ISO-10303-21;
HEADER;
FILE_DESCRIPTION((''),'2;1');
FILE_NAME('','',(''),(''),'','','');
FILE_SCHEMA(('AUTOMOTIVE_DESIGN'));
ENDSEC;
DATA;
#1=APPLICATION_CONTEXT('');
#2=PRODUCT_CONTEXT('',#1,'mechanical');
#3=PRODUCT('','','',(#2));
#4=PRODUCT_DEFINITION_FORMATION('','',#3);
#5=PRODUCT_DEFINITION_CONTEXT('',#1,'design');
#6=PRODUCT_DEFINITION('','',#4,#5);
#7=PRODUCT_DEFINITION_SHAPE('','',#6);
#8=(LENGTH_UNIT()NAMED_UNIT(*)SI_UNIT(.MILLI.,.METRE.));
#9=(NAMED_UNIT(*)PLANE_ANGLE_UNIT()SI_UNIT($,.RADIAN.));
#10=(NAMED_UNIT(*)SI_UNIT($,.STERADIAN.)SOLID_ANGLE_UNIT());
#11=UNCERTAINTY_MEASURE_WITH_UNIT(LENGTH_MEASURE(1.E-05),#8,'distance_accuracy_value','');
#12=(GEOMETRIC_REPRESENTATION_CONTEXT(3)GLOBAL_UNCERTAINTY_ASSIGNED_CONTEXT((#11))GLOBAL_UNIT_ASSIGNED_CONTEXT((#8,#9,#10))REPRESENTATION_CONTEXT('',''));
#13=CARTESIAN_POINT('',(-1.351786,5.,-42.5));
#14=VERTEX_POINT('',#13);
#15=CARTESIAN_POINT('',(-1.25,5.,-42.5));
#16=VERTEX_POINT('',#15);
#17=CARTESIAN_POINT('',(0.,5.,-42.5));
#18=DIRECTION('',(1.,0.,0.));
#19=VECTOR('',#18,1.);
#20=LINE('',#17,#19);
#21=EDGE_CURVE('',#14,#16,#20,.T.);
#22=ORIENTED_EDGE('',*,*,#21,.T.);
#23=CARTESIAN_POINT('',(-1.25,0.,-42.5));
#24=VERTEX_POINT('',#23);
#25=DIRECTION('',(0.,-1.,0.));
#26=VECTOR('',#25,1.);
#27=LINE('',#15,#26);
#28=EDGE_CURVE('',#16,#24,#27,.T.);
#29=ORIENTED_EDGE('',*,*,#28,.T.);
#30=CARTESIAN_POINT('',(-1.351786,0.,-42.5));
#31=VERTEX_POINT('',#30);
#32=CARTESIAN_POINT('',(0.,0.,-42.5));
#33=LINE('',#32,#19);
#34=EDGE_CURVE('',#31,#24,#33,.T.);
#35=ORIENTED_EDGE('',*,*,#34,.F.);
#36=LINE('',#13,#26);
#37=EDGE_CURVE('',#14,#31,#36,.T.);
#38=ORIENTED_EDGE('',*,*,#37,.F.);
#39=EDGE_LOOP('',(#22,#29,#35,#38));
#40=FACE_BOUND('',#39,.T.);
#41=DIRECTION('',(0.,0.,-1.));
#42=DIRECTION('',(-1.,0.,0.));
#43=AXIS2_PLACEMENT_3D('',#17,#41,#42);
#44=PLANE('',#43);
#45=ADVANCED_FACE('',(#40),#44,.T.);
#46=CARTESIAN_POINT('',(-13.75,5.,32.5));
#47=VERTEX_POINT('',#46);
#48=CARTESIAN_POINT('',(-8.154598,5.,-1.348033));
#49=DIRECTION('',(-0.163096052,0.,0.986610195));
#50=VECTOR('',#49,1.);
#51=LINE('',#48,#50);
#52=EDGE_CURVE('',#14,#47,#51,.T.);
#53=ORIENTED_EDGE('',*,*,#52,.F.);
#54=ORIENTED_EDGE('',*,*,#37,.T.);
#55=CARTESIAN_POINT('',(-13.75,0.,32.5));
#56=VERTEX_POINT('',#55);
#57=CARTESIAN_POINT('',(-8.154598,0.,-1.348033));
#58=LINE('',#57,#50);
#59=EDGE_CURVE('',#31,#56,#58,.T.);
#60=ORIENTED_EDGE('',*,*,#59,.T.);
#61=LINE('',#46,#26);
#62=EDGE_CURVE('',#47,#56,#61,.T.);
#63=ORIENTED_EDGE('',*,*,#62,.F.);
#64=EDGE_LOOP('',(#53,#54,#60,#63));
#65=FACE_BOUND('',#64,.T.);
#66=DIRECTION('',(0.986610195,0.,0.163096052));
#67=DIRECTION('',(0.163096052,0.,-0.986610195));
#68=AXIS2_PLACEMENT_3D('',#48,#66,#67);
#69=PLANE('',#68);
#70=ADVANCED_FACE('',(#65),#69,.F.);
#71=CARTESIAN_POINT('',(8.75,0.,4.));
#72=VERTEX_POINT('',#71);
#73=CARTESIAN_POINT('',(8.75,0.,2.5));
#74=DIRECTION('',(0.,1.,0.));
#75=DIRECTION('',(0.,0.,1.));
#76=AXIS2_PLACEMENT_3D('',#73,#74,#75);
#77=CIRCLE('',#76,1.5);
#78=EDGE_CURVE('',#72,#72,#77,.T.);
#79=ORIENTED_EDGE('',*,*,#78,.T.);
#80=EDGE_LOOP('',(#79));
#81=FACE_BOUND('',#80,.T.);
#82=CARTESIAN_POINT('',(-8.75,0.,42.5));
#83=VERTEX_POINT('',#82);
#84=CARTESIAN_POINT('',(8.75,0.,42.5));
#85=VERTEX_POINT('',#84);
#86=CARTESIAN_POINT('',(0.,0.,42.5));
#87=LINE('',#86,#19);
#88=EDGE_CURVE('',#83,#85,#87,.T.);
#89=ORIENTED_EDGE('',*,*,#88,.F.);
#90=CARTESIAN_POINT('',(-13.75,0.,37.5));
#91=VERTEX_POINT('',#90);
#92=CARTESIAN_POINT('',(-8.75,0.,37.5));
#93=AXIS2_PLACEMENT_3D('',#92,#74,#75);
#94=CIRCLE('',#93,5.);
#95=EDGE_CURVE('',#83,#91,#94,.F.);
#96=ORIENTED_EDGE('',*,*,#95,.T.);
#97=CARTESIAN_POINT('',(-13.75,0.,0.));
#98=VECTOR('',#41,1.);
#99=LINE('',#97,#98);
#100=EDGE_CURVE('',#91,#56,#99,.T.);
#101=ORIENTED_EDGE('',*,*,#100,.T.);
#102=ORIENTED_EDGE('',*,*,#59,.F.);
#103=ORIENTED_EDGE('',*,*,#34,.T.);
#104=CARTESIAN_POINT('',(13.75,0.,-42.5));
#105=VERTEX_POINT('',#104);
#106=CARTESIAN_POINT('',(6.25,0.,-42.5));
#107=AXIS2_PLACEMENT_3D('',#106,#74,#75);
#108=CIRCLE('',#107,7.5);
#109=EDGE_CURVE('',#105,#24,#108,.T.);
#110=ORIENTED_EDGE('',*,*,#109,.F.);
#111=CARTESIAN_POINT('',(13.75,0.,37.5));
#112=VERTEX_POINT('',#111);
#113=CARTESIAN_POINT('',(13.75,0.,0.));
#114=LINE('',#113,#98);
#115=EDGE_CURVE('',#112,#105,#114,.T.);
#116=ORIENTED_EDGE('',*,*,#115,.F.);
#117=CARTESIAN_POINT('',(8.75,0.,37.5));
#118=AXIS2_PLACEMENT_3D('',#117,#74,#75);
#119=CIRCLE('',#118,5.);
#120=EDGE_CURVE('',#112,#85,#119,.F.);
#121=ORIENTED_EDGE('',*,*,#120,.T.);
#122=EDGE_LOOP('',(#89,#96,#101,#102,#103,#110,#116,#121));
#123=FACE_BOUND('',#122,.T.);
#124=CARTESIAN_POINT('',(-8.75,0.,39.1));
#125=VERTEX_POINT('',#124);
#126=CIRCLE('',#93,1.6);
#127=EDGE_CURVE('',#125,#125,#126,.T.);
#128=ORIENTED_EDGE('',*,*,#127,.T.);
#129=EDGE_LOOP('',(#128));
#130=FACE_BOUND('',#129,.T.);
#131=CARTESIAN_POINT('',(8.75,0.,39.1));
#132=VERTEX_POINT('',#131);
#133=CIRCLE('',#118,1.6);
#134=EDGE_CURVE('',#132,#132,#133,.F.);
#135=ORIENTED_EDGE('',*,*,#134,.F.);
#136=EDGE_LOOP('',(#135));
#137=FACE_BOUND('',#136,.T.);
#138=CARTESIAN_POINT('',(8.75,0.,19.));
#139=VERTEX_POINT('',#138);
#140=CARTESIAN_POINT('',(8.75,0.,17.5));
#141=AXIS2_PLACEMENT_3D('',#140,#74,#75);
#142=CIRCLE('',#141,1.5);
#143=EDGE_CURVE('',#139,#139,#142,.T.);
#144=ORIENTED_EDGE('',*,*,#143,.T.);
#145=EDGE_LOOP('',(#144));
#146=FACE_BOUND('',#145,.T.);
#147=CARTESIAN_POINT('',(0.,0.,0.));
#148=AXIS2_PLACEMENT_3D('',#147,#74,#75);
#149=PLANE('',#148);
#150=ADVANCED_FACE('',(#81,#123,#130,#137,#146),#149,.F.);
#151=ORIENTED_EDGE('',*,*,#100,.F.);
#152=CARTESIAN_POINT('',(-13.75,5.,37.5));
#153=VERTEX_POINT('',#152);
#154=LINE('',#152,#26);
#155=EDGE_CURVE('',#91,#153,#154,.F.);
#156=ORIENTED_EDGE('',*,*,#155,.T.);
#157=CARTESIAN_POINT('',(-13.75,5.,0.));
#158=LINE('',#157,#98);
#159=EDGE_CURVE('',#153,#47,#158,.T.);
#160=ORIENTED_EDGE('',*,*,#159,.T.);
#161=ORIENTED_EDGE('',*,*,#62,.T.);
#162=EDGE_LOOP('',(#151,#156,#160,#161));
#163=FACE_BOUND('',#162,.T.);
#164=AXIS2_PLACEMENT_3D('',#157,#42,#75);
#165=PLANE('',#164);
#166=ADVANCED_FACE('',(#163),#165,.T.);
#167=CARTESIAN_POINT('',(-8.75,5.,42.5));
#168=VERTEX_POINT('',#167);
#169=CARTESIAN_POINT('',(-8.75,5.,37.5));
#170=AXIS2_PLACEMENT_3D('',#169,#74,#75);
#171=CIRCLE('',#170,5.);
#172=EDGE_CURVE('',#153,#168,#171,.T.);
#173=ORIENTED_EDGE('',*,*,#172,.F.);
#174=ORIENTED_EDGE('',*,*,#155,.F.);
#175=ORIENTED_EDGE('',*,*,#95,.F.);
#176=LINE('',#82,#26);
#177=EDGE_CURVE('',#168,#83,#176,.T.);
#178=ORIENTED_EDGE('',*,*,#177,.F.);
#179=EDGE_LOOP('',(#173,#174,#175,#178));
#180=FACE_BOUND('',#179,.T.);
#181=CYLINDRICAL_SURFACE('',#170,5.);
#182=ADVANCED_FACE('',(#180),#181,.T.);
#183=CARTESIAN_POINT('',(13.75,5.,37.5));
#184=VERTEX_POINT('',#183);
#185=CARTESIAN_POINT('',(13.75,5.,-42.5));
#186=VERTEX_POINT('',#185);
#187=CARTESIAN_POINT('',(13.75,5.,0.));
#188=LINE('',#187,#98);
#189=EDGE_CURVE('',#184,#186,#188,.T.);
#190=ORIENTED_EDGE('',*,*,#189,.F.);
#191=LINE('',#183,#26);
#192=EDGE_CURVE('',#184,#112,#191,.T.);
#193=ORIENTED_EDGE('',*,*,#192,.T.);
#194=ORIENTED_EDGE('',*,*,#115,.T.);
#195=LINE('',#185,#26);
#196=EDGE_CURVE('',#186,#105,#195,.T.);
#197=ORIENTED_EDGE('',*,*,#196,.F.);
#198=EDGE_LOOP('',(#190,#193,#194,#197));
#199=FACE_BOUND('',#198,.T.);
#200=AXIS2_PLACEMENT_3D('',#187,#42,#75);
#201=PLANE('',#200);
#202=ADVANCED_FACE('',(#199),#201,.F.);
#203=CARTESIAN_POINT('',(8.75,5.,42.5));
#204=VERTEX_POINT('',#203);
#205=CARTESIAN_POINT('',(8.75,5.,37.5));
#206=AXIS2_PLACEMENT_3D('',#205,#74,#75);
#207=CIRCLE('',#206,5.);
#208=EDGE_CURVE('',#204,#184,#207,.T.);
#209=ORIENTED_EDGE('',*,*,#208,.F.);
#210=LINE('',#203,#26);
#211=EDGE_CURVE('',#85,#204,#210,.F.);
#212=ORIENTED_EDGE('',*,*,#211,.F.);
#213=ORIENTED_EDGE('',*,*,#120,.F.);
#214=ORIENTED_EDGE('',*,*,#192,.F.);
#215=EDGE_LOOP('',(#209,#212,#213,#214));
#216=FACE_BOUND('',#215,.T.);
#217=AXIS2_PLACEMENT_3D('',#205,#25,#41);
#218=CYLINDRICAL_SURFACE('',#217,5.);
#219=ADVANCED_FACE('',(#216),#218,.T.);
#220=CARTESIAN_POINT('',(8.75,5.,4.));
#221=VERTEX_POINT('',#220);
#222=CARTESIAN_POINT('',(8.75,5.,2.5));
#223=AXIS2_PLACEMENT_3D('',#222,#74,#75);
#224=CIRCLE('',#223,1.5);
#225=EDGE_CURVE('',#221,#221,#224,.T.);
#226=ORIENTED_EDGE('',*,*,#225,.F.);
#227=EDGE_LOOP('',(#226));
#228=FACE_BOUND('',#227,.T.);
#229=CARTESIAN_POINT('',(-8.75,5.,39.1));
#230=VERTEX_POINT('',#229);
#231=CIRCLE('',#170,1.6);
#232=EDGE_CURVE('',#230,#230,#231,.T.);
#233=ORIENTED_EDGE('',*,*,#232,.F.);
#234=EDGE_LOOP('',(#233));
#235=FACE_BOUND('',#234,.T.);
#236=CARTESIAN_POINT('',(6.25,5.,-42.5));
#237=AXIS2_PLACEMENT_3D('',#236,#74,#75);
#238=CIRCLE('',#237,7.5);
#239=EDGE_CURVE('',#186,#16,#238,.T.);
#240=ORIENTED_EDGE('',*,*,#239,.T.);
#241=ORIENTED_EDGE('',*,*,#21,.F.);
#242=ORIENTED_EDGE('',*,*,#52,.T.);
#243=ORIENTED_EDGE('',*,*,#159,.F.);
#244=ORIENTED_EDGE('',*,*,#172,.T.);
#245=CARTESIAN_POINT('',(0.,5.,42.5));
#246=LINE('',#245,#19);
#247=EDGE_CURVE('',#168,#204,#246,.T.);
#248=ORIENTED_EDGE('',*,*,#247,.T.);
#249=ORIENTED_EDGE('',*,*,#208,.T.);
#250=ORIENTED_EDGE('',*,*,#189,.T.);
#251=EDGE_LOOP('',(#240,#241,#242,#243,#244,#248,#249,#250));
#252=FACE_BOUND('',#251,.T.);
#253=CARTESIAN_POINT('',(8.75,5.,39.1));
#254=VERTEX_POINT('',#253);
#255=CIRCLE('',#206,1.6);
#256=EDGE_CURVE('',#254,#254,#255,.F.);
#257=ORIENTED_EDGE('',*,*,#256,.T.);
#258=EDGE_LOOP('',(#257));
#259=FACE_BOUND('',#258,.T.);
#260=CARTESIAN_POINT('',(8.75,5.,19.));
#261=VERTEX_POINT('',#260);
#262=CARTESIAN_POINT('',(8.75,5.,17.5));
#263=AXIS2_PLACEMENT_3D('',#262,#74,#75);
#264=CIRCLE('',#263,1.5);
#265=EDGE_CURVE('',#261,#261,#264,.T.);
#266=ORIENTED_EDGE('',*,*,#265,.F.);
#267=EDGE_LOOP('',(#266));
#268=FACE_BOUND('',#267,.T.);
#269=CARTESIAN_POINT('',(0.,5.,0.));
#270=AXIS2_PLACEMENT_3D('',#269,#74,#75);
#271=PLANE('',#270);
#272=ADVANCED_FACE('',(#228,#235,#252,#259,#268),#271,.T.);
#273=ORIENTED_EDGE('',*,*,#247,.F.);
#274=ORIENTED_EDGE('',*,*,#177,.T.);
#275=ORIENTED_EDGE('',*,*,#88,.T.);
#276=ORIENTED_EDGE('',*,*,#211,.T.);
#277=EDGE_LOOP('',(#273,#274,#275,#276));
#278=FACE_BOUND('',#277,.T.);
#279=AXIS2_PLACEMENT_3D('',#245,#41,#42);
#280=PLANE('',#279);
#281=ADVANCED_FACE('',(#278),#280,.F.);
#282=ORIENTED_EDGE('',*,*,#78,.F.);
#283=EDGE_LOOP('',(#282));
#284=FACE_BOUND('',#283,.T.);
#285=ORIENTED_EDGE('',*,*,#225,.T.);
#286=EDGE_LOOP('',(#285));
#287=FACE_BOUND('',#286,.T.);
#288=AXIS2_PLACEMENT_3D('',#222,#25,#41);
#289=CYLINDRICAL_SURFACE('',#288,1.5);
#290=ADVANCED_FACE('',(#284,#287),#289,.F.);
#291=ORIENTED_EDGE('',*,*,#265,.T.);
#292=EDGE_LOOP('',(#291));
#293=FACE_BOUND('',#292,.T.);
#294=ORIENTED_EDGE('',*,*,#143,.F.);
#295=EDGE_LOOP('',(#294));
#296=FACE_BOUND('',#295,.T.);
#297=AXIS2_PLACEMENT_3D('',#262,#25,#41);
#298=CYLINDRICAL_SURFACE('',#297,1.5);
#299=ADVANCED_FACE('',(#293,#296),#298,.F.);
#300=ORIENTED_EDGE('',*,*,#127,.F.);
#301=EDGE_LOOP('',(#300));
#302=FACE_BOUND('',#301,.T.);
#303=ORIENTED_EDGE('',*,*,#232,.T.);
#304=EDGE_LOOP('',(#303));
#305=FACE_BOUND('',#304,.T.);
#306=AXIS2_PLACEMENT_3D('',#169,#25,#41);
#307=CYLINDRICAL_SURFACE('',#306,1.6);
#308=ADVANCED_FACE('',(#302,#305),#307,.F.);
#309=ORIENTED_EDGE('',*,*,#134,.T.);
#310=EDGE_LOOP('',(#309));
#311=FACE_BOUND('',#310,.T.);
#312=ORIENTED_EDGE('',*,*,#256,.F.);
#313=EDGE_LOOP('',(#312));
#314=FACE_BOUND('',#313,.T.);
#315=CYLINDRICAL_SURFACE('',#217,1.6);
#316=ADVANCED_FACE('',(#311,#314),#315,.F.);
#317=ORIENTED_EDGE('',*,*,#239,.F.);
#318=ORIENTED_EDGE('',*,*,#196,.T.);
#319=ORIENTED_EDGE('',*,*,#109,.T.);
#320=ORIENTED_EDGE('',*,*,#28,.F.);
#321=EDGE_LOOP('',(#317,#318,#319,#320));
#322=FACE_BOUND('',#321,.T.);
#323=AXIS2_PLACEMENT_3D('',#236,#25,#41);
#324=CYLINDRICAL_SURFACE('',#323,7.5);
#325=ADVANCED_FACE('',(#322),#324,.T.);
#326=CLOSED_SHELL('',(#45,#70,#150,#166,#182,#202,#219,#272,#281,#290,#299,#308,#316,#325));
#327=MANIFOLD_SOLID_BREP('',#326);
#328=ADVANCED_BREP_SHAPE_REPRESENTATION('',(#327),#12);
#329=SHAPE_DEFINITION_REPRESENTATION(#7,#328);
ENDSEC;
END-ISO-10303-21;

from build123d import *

# Parameters (mm, degrees)
SKETCH_1_R      = 1.6
SKETCH_1_R_2    = 1.5
EXTRUDE_1_DEPTH = 5
FILLET_1_R      = 5


with BuildPart() as part:
    # ｽｹｯﾁ1 → ﾎﾞｽ - 押し出し1 (new body)
    with BuildSketch(Plane(origin=(0, 0, 0), x_dir=(1, 0, 0), z_dir=(0, 1, 0))):
        with BuildLine():
            Line((-13.75, -32.5), (-13.75, -42.5))
            Line((-13.75, -42.5), (13.75, -42.5))
            Line((13.75, -42.5), (13.75, 42.5))
            ThreePointArc((13.75, 42.5), (6.25, 50), (-1.25, 42.5))
            Line((-1.25, 42.5), (-1.351786435, 42.5))
            Line((-1.351786435, 42.5), (-13.75, -32.5))
        make_face()
        with Locations(Location((-8.75, -37.5, 0), (0, 0, 270))):
            Circle(SKETCH_1_R, mode=Mode.SUBTRACT)
        with Locations(Location((8.75, -37.5, 0), (0, 0, 270))):
            Circle(SKETCH_1_R, mode=Mode.SUBTRACT)
        with Locations(Location((8.75, -17.5, 0), (0, 0, 270))):
            Circle(SKETCH_1_R_2, mode=Mode.SUBTRACT)
        with Locations(Location((8.75, -2.5, 0), (0, 0, 270))):
            Circle(SKETCH_1_R_2, mode=Mode.SUBTRACT)
    extrude(amount=EXTRUDE_1_DEPTH)

    # ﾌｨﾚｯﾄ1
    fillet_1_edges = [part.edges().sort_by_distance(p)[0] for p in [
        (13.75, 2.5, 42.5),
        (-13.75, 2.5, 42.5),
    ]]
    fillet(fillet_1_edges, radius=FILLET_1_R)


solid = part.part
